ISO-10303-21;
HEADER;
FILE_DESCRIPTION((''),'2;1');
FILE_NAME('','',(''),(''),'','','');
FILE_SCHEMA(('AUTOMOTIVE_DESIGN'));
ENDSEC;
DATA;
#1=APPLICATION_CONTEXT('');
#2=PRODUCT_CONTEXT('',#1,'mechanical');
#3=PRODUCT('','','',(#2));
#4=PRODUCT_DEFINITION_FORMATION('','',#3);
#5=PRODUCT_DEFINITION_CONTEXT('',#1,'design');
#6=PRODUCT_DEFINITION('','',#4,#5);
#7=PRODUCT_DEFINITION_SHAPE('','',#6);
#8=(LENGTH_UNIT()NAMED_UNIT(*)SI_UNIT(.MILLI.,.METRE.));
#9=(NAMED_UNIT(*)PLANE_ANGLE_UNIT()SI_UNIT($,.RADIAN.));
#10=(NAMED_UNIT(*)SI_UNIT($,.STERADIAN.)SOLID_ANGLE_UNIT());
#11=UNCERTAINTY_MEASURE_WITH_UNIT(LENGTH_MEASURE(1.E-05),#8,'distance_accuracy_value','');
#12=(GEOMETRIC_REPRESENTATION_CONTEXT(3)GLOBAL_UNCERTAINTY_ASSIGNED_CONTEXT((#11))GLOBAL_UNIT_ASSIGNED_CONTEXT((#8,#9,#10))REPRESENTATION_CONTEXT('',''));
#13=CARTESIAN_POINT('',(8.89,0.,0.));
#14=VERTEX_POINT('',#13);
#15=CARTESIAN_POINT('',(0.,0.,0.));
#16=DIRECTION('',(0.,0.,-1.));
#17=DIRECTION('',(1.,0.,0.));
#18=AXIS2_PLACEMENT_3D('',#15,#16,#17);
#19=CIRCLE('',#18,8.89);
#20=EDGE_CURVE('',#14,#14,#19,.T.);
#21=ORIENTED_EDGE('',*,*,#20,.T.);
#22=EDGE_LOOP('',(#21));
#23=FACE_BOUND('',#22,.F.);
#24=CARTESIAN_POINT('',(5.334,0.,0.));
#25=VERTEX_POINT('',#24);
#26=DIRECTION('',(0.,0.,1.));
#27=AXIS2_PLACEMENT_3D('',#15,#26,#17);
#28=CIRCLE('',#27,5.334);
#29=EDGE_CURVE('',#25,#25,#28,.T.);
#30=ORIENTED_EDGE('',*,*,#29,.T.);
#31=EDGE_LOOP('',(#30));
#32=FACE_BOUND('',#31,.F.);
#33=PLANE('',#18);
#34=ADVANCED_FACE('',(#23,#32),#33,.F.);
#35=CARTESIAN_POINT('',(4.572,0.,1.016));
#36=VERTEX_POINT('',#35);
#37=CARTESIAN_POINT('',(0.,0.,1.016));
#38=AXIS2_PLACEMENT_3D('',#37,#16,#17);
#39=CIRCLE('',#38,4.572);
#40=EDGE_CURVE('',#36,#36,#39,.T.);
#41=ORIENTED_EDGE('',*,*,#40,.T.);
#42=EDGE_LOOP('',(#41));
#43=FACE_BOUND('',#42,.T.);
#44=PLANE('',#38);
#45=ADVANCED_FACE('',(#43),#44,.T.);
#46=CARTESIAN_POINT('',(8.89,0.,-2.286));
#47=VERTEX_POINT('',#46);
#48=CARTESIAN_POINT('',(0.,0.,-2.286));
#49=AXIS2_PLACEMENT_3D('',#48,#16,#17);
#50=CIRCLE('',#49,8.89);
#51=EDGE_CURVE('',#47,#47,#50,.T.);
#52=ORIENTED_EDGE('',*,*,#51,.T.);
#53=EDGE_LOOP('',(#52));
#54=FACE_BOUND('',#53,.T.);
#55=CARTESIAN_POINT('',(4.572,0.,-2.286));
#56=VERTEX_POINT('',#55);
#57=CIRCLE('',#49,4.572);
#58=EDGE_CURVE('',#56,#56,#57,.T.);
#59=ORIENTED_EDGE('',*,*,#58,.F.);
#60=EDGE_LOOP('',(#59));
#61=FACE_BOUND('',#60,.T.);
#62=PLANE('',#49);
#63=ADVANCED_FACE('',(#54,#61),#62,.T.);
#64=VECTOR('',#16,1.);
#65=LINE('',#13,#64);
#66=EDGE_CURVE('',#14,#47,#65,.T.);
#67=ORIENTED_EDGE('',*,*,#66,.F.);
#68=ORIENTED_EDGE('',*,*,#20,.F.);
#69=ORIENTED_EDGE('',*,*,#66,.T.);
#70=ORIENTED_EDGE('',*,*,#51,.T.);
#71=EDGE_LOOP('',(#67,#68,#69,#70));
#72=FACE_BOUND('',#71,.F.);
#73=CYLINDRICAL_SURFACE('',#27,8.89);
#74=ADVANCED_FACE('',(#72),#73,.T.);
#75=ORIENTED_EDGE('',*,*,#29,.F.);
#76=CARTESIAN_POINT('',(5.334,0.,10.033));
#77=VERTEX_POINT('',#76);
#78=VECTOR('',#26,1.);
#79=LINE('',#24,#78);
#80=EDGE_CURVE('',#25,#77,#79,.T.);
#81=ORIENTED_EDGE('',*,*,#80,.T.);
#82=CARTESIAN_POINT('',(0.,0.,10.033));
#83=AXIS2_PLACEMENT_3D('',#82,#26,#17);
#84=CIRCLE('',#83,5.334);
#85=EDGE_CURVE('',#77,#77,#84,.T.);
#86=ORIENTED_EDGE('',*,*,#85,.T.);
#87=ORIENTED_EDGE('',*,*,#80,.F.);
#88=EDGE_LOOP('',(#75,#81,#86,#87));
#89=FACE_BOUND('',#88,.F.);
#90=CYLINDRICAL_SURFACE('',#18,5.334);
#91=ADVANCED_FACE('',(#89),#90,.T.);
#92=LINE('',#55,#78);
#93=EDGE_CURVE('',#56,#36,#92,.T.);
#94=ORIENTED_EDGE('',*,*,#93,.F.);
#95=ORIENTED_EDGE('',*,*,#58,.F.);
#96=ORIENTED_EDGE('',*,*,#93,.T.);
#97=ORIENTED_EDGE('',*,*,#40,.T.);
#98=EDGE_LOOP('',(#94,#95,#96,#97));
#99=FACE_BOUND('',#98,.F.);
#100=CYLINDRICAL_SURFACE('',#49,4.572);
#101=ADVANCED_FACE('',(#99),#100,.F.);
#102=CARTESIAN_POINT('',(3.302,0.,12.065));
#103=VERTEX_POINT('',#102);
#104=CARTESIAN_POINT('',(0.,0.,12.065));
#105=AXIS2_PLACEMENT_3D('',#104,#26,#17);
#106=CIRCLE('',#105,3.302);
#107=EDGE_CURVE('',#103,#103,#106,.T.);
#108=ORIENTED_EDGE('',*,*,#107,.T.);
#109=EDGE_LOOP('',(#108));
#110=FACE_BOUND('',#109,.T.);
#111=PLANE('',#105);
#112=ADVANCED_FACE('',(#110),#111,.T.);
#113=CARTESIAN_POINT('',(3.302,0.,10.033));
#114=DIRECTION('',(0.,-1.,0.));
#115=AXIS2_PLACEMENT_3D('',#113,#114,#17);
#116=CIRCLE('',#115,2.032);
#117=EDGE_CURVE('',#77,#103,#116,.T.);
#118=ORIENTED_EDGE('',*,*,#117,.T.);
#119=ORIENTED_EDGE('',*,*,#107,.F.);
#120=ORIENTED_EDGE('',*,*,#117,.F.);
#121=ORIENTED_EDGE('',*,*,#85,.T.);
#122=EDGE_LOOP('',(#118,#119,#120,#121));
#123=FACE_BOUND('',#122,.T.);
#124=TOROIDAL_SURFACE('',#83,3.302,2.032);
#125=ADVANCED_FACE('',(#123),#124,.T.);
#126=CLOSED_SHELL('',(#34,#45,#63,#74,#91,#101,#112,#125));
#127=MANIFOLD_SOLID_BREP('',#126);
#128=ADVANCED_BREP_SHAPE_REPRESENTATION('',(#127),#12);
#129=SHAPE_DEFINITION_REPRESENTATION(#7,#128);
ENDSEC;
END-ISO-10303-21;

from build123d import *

# Parameters (mm, degrees)
SKETCH_R     = 5.334
PAD_DEPTH    = 12.065
SKETCH001_R  = 8.89
PAD001_DEPTH = 2.286
SKETCH002_R  = 4.572
POCKET_DEPTH = 3.302
FILLET_R     = 2.032


with BuildPart() as part:
    # Sketch → Pad (new body)
    with BuildSketch(Plane.XY):
        Circle(SKETCH_R)
    extrude(amount=PAD_DEPTH)

    # Sketch001 → Pad001 (new body)
    with BuildSketch(Plane(origin=(0, 0, 0), x_dir=(1, 0, 0), z_dir=(0, 0, -1))):
        Circle(SKETCH001_R)
    extrude(amount=PAD001_DEPTH)

    # Sketch002 → Pocket (cut)
    with BuildSketch(Plane(origin=(0, 0, -2.286), x_dir=(1, 0, 0), z_dir=(0, 0, -1))):
        Circle(SKETCH002_R)
    extrude(amount=-POCKET_DEPTH, mode=Mode.SUBTRACT)

    # Fillet
    fillet_edges = [part.edges().sort_by_distance(p)[0] for p in [
        (-5.334, 0, 12.065),
    ]]
    fillet(fillet_edges, radius=FILLET_R)


solid = part.part
